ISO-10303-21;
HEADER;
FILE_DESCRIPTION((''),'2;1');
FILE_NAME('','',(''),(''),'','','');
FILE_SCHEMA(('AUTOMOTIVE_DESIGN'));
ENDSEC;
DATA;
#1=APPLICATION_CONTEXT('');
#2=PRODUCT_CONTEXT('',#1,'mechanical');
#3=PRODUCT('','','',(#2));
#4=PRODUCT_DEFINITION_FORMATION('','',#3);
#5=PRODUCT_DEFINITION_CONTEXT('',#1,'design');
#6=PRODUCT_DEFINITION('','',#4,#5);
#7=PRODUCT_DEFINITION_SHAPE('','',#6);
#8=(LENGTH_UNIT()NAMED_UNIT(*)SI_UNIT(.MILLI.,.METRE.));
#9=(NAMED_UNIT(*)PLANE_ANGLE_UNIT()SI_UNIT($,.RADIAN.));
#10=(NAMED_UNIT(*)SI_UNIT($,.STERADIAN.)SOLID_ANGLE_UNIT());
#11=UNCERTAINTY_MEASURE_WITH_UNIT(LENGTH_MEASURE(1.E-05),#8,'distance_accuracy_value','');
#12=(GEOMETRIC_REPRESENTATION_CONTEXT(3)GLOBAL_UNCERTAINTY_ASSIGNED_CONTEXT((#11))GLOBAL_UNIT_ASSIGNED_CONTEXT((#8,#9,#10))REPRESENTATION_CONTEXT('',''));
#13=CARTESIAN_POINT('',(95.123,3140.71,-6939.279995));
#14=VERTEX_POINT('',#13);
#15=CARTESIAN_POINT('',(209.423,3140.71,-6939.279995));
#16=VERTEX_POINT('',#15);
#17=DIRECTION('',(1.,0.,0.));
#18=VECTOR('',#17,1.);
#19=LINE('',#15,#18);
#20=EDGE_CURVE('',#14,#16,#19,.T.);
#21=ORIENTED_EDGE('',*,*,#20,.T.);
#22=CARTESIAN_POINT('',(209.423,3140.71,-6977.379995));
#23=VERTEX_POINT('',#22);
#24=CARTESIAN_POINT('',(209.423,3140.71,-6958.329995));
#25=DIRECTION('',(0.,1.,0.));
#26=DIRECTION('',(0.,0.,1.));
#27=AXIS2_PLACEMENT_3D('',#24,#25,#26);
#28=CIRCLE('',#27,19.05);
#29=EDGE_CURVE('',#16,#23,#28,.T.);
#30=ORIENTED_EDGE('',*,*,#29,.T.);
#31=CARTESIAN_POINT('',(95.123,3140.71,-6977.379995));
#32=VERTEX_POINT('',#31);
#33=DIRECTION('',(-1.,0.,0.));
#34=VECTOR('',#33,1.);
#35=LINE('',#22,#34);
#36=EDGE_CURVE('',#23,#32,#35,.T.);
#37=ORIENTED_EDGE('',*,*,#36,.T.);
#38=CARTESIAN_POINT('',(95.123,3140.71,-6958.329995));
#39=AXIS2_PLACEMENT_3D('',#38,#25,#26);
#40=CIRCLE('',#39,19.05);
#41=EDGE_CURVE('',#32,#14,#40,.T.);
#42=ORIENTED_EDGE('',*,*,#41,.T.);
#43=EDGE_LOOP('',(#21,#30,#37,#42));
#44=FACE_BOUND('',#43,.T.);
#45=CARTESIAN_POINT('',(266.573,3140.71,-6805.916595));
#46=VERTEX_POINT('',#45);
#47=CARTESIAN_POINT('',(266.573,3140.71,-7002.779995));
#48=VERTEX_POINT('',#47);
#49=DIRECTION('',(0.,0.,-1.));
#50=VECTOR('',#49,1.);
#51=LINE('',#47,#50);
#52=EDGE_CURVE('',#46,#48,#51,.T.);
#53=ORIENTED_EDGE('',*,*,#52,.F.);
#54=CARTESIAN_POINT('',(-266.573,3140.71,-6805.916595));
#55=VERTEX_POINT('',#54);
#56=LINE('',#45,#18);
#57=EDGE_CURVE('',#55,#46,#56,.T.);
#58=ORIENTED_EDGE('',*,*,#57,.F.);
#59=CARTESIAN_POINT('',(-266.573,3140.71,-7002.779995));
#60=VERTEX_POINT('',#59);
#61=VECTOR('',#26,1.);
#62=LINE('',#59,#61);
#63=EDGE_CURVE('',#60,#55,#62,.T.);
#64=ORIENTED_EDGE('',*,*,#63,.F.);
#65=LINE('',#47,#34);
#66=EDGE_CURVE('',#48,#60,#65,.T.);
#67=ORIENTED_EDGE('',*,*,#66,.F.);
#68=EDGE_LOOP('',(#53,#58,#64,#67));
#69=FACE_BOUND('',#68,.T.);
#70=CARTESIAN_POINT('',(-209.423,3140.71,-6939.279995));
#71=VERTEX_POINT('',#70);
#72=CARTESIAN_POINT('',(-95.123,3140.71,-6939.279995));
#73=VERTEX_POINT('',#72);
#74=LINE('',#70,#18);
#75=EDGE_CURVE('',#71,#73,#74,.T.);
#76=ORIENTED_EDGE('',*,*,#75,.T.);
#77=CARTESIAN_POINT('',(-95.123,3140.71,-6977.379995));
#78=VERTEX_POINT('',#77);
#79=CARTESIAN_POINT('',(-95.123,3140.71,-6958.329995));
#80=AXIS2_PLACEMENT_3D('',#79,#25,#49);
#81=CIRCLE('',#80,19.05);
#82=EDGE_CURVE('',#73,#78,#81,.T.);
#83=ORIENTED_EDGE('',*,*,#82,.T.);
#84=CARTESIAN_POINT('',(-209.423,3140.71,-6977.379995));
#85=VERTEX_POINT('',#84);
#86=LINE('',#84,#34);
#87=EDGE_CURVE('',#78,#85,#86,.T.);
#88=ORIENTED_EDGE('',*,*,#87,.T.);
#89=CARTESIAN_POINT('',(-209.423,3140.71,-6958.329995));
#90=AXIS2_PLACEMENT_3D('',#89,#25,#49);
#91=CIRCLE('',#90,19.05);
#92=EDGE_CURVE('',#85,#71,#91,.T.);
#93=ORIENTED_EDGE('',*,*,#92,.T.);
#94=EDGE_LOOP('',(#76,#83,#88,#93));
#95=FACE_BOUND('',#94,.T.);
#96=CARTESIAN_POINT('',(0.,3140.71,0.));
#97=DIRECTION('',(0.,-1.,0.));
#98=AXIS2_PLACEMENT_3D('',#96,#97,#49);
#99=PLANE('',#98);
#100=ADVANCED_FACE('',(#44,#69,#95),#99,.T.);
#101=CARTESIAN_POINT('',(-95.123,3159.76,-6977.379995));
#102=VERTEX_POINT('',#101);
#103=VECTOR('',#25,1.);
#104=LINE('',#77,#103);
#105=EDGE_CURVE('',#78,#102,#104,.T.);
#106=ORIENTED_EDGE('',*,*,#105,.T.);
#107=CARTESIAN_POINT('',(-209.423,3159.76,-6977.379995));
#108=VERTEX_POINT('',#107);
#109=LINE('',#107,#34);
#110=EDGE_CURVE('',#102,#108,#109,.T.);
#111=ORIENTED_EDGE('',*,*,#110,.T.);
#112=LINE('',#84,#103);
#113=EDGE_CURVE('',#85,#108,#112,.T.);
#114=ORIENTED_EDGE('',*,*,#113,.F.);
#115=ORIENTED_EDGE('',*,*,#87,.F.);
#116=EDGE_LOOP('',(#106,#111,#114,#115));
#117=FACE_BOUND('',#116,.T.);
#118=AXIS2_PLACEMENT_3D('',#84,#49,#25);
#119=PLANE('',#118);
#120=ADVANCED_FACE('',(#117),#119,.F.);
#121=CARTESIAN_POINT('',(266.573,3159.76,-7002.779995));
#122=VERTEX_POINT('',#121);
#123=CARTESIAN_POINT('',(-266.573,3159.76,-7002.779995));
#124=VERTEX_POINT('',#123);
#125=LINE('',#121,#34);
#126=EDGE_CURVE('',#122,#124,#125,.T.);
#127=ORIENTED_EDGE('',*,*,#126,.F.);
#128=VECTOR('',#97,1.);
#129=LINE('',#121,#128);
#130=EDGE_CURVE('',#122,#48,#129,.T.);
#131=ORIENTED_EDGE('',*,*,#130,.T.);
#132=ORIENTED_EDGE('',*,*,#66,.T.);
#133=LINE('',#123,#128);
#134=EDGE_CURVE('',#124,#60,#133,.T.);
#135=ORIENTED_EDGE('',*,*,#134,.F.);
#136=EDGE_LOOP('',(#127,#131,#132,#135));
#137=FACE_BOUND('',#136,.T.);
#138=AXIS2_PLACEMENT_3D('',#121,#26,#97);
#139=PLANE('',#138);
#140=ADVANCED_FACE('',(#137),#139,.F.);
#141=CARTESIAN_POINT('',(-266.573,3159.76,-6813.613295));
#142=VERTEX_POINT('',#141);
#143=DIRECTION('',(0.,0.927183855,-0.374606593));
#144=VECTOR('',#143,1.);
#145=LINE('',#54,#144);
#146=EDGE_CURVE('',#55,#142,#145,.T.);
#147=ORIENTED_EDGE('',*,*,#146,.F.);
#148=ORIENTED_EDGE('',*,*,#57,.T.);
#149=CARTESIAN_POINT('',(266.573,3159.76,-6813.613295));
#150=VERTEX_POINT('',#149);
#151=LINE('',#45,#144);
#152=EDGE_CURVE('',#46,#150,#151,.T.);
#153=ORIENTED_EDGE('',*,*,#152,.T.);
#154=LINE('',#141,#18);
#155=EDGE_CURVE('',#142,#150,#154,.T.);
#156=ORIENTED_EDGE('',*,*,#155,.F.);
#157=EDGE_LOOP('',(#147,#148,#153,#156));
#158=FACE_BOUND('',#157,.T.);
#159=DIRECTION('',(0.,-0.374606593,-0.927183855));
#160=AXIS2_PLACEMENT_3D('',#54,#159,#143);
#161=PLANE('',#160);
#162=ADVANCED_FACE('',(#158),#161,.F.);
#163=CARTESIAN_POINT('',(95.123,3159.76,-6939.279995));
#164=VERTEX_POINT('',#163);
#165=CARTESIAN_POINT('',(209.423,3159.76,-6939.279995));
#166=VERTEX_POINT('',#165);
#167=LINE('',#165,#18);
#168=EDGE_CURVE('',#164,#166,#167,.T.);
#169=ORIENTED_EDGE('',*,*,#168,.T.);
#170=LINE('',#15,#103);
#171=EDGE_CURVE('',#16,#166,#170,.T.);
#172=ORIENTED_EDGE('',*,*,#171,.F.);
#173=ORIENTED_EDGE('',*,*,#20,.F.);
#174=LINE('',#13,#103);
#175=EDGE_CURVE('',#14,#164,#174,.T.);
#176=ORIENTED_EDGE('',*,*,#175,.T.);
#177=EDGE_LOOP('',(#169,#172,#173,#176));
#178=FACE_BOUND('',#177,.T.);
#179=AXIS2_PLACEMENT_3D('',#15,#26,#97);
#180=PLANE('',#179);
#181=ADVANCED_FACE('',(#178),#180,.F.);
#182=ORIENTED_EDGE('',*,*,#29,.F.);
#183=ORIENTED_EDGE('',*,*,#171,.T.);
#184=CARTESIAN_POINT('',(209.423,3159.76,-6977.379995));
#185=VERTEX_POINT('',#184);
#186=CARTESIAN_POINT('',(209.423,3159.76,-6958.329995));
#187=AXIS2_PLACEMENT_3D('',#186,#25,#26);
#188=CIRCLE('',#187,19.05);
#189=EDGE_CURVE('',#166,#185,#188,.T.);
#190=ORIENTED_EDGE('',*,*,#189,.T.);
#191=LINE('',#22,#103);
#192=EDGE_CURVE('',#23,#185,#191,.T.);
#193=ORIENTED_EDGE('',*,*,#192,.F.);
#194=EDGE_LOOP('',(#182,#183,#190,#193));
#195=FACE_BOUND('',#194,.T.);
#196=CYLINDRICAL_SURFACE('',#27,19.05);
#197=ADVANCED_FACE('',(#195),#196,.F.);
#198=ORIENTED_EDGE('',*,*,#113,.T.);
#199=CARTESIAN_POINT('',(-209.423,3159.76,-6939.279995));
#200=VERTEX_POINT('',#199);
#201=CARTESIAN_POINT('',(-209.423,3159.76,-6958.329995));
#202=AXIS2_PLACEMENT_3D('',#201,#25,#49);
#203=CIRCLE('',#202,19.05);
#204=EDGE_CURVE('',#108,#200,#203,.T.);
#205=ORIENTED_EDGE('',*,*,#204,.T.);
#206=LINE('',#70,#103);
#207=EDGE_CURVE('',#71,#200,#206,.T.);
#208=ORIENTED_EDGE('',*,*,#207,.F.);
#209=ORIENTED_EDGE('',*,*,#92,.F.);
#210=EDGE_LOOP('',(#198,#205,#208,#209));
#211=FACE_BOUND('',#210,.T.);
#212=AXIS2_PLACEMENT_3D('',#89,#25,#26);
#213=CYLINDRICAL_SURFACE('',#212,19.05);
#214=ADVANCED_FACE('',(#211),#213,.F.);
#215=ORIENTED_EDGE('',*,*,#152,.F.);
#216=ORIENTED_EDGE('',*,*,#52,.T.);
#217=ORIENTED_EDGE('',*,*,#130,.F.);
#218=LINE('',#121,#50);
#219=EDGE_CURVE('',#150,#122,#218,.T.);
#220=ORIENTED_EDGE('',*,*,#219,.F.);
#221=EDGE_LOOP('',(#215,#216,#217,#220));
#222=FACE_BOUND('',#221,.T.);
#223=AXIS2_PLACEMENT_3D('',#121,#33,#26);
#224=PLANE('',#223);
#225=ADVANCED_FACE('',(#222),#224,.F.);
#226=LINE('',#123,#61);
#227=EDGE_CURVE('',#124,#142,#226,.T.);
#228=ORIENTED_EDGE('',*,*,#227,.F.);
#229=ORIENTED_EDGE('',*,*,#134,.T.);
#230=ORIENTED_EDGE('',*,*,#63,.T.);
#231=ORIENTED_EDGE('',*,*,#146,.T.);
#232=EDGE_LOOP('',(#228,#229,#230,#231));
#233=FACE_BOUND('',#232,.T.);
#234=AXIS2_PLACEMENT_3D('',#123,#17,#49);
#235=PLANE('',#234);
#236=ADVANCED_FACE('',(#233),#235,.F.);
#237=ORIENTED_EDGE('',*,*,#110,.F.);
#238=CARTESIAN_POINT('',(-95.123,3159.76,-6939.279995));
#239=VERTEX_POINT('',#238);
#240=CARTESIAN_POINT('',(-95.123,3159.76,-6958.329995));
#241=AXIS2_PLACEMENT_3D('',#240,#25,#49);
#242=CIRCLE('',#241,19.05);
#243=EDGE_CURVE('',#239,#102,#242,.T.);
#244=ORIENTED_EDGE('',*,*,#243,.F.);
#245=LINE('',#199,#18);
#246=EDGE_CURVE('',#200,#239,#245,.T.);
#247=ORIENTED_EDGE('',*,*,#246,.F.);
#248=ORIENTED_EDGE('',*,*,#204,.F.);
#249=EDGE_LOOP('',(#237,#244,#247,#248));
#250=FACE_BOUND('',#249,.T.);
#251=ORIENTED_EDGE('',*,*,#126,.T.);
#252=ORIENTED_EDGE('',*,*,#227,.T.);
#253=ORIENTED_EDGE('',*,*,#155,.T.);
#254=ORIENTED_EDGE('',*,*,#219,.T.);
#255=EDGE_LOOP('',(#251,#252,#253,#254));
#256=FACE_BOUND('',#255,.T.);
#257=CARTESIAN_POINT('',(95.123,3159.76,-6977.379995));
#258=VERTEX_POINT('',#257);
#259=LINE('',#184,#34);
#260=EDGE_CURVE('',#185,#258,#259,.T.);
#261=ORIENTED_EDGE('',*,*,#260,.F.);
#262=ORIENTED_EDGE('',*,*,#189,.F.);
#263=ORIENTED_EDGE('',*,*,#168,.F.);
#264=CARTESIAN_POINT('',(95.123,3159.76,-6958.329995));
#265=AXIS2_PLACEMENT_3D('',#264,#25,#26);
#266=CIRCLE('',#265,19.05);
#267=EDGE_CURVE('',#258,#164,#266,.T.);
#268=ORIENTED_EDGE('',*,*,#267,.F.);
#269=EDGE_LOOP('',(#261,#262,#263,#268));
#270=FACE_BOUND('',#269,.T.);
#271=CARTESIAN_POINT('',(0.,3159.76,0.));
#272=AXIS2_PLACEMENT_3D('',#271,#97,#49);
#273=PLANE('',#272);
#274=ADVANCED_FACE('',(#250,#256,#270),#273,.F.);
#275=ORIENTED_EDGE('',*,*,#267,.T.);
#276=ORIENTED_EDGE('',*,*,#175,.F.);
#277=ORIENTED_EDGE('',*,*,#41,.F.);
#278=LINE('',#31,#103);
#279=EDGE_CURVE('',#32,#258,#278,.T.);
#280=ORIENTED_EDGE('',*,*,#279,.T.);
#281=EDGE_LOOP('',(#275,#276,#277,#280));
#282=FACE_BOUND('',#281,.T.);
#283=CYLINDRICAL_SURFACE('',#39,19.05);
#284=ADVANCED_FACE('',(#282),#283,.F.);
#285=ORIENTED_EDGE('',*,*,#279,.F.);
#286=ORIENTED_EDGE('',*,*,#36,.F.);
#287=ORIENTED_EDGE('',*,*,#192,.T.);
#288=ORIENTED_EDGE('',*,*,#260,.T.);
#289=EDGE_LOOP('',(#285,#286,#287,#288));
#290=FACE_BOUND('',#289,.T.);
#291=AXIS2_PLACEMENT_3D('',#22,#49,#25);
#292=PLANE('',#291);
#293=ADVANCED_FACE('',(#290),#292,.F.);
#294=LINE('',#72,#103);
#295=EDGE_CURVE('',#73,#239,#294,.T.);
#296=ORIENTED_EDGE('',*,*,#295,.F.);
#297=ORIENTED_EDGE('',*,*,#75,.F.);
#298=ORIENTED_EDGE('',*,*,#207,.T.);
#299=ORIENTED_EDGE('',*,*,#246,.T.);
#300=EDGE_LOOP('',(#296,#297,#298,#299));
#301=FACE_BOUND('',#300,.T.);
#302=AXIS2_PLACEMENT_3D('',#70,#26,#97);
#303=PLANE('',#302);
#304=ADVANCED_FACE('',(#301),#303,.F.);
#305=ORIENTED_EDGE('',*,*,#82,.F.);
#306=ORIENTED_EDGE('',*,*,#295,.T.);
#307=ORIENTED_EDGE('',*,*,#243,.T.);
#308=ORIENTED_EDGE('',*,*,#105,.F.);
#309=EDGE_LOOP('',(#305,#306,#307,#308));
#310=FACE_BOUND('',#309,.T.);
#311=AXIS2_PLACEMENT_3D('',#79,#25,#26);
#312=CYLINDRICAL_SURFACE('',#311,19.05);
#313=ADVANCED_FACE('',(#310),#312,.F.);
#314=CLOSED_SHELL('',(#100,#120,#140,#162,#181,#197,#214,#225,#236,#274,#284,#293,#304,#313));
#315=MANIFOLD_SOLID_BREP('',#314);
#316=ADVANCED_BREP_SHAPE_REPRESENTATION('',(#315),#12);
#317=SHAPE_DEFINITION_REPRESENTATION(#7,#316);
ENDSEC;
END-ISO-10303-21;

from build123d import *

# Parameters (mm, degrees)
SKETCH1_W           = 533.146
SKETCH1_H           = 196.863399688
BOSS_EXTRUDE1_DEPTH = 19.05
CUT_EXTRUDE1_DEPTH  = 7702.120410186
CUT_EXTRUDE2_DEPTH  = 7008.877833132


with BuildPart() as part:
    # Sketch1 → Boss-Extrude1 (new body)
    with BuildSketch(Plane(origin=(0, 3140.71, 0), x_dir=(1, 0, 0), z_dir=(0, 1, 0))):
        with Locations((0, 6904.348295077)):
            Rectangle(SKETCH1_W, SKETCH1_H)
    extrude(amount=BOSS_EXTRUDE1_DEPTH)

    # Sketch2 → Cut-Extrude1 (cut, through all)
    with BuildSketch(Plane(origin=(266.573, 0, 0), x_dir=(0, 0, -1), z_dir=(1, 0, 0))):
        Polygon((6805.916595233, 3140.710000001), (6813.613294835, 3159.760000001), (6805.916595233, 3159.760000001), align=None)
    extrude(amount=-CUT_EXTRUDE1_DEPTH, mode=Mode.SUBTRACT)

    # Sketch3 → Cut-Extrude2 (cut, through all)
    with BuildSketch(Plane(origin=(0, 3159.76, 0), x_dir=(1, 0, 0), z_dir=(0, 1, 0))):
        with BuildLine():
            Line((209.423, 6939.279994921), (95.123, 6939.279994921))
            ThreePointArc((95.123, 6939.279994921), (76.073, 6958.329994921), (95.123, 6977.379994921))
            Line((95.123, 6977.379994921), (209.423, 6977.379994921))
            ThreePointArc((209.423, 6977.379994921), (228.473, 6958.329994921), (209.423, 6939.279994921))
        make_face()
        with BuildLine():
            Line((-209.423, 6939.279994921), (-95.123, 6939.279994921))
            ThreePointArc((-95.123, 6939.279994921), (-76.073, 6958.329994921), (-95.123, 6977.379994921))
            Line((-95.123, 6977.379994921), (-209.423, 6977.379994921))
            ThreePointArc((-209.423, 6977.379994921), (-228.473, 6958.329994921), (-209.423, 6939.279994921))
        make_face()
    extrude(amount=-CUT_EXTRUDE2_DEPTH, mode=Mode.SUBTRACT)


solid = part.part
